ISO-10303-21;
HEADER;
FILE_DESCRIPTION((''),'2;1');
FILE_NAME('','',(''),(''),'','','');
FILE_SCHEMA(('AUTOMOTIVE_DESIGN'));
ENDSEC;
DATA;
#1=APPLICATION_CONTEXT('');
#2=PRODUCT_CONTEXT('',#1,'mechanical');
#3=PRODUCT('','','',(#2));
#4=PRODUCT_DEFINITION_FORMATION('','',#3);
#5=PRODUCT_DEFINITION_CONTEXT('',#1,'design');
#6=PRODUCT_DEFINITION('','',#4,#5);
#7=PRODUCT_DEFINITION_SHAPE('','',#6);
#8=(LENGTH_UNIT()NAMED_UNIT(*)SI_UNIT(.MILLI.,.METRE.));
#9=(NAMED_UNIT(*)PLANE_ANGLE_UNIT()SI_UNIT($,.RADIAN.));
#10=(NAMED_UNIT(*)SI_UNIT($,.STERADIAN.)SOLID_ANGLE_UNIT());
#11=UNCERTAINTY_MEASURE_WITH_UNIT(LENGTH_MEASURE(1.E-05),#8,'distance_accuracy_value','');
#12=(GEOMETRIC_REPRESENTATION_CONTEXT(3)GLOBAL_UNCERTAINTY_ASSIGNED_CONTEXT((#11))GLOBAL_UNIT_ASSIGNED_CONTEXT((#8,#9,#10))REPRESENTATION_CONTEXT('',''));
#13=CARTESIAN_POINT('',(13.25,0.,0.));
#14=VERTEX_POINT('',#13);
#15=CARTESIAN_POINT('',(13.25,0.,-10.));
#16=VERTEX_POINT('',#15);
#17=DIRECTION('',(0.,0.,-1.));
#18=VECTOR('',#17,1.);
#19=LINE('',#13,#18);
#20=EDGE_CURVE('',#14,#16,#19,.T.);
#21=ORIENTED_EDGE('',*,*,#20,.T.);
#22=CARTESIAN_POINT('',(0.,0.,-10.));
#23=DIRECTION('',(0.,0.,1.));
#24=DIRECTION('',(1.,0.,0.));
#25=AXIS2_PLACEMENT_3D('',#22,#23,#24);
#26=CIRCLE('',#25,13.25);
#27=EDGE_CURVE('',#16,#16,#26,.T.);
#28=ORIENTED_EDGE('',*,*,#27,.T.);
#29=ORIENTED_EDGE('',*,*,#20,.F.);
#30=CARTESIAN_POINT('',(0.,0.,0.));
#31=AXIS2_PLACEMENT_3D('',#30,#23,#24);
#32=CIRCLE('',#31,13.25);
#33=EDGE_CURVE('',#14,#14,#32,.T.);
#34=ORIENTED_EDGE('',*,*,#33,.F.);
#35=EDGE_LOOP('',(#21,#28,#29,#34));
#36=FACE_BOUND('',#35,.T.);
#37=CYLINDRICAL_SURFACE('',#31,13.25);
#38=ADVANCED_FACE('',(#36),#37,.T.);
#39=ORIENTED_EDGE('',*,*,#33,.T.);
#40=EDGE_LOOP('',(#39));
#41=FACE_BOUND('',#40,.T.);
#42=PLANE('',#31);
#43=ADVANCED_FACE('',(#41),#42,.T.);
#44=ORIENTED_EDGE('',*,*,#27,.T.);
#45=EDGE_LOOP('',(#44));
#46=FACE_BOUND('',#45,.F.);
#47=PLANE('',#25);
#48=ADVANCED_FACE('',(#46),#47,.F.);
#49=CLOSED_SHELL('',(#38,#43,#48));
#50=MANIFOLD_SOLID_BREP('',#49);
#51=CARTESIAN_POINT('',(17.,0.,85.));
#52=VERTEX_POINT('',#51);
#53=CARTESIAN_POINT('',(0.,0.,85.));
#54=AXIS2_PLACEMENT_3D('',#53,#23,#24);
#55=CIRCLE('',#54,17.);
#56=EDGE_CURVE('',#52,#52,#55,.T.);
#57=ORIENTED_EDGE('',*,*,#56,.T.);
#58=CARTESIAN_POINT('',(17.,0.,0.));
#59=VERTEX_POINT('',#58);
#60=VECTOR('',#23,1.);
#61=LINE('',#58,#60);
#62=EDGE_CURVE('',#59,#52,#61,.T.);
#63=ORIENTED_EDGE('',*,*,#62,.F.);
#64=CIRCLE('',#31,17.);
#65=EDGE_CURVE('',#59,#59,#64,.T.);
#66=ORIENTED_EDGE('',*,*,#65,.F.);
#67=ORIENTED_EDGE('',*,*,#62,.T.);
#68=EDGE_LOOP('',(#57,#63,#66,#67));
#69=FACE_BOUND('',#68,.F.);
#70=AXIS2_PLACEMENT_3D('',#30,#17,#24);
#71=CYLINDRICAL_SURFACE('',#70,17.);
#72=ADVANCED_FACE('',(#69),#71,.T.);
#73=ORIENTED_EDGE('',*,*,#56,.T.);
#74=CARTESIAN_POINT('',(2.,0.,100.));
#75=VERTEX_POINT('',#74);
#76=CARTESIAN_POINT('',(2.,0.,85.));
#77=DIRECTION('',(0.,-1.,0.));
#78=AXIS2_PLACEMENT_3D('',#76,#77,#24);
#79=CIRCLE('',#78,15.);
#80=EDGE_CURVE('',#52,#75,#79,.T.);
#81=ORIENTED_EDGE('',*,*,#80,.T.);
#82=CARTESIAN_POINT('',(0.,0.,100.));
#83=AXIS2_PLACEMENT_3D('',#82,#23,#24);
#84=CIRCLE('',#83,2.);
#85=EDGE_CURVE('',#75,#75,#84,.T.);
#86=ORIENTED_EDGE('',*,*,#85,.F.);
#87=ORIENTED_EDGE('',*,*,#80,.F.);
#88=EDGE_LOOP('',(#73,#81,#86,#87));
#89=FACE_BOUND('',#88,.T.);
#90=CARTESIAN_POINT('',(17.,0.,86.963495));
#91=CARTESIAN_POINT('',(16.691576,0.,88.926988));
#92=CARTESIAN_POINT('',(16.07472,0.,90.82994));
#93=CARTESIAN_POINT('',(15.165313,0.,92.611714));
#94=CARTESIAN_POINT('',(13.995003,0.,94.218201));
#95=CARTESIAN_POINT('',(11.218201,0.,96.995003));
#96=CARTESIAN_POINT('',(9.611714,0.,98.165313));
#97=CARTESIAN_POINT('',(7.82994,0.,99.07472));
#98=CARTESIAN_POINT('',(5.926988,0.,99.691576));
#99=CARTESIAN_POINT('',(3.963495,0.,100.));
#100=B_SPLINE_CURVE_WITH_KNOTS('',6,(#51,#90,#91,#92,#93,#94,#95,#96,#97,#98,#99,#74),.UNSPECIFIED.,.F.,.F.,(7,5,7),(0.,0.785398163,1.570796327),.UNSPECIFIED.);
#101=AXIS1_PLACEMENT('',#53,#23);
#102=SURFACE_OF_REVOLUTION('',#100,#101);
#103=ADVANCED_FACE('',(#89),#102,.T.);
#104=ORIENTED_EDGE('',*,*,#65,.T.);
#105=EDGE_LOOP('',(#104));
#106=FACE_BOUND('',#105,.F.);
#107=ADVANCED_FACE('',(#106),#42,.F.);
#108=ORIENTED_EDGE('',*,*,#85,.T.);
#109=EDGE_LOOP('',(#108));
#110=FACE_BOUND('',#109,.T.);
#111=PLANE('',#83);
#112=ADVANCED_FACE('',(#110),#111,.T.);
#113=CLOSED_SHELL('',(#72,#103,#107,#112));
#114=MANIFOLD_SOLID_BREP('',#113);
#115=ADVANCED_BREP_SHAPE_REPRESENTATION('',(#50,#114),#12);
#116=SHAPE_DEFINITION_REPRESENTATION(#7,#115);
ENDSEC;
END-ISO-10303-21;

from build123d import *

# Parameters (mm, degrees)
F0_R     = 17
F0_R_2   = 13.25
F0_R_3   = 10.25
F1_DEPTH = 100
F2_DEPTH = 10
F3_R     = 15


with BuildPart() as f1:
    # F0 (on Top) → F1 (new body)
    with BuildSketch(Plane.XY):
        Circle(F0_R)
        Circle(F0_R_2, mode=Mode.SUBTRACT)
        Circle(F0_R_2)
        Circle(F0_R_3, mode=Mode.SUBTRACT)
        Circle(F0_R_3)
    extrude(amount=F1_DEPTH)

    # F3
    f3_edges = [f1.edges().sort_by_distance(p)[0] for p in [
        (-17, 0, 100),
    ]]
    fillet(f3_edges, radius=F3_R)


with BuildPart() as f2:
    # F0 (on Top) → F2 (new body)
    with BuildSketch(Plane.XY):
        Circle(F0_R_2)
        Circle(F0_R_3, mode=Mode.SUBTRACT)
        Circle(F0_R_3)
    extrude(amount=-F2_DEPTH)


solid = Compound([f1.part, f2.part])
